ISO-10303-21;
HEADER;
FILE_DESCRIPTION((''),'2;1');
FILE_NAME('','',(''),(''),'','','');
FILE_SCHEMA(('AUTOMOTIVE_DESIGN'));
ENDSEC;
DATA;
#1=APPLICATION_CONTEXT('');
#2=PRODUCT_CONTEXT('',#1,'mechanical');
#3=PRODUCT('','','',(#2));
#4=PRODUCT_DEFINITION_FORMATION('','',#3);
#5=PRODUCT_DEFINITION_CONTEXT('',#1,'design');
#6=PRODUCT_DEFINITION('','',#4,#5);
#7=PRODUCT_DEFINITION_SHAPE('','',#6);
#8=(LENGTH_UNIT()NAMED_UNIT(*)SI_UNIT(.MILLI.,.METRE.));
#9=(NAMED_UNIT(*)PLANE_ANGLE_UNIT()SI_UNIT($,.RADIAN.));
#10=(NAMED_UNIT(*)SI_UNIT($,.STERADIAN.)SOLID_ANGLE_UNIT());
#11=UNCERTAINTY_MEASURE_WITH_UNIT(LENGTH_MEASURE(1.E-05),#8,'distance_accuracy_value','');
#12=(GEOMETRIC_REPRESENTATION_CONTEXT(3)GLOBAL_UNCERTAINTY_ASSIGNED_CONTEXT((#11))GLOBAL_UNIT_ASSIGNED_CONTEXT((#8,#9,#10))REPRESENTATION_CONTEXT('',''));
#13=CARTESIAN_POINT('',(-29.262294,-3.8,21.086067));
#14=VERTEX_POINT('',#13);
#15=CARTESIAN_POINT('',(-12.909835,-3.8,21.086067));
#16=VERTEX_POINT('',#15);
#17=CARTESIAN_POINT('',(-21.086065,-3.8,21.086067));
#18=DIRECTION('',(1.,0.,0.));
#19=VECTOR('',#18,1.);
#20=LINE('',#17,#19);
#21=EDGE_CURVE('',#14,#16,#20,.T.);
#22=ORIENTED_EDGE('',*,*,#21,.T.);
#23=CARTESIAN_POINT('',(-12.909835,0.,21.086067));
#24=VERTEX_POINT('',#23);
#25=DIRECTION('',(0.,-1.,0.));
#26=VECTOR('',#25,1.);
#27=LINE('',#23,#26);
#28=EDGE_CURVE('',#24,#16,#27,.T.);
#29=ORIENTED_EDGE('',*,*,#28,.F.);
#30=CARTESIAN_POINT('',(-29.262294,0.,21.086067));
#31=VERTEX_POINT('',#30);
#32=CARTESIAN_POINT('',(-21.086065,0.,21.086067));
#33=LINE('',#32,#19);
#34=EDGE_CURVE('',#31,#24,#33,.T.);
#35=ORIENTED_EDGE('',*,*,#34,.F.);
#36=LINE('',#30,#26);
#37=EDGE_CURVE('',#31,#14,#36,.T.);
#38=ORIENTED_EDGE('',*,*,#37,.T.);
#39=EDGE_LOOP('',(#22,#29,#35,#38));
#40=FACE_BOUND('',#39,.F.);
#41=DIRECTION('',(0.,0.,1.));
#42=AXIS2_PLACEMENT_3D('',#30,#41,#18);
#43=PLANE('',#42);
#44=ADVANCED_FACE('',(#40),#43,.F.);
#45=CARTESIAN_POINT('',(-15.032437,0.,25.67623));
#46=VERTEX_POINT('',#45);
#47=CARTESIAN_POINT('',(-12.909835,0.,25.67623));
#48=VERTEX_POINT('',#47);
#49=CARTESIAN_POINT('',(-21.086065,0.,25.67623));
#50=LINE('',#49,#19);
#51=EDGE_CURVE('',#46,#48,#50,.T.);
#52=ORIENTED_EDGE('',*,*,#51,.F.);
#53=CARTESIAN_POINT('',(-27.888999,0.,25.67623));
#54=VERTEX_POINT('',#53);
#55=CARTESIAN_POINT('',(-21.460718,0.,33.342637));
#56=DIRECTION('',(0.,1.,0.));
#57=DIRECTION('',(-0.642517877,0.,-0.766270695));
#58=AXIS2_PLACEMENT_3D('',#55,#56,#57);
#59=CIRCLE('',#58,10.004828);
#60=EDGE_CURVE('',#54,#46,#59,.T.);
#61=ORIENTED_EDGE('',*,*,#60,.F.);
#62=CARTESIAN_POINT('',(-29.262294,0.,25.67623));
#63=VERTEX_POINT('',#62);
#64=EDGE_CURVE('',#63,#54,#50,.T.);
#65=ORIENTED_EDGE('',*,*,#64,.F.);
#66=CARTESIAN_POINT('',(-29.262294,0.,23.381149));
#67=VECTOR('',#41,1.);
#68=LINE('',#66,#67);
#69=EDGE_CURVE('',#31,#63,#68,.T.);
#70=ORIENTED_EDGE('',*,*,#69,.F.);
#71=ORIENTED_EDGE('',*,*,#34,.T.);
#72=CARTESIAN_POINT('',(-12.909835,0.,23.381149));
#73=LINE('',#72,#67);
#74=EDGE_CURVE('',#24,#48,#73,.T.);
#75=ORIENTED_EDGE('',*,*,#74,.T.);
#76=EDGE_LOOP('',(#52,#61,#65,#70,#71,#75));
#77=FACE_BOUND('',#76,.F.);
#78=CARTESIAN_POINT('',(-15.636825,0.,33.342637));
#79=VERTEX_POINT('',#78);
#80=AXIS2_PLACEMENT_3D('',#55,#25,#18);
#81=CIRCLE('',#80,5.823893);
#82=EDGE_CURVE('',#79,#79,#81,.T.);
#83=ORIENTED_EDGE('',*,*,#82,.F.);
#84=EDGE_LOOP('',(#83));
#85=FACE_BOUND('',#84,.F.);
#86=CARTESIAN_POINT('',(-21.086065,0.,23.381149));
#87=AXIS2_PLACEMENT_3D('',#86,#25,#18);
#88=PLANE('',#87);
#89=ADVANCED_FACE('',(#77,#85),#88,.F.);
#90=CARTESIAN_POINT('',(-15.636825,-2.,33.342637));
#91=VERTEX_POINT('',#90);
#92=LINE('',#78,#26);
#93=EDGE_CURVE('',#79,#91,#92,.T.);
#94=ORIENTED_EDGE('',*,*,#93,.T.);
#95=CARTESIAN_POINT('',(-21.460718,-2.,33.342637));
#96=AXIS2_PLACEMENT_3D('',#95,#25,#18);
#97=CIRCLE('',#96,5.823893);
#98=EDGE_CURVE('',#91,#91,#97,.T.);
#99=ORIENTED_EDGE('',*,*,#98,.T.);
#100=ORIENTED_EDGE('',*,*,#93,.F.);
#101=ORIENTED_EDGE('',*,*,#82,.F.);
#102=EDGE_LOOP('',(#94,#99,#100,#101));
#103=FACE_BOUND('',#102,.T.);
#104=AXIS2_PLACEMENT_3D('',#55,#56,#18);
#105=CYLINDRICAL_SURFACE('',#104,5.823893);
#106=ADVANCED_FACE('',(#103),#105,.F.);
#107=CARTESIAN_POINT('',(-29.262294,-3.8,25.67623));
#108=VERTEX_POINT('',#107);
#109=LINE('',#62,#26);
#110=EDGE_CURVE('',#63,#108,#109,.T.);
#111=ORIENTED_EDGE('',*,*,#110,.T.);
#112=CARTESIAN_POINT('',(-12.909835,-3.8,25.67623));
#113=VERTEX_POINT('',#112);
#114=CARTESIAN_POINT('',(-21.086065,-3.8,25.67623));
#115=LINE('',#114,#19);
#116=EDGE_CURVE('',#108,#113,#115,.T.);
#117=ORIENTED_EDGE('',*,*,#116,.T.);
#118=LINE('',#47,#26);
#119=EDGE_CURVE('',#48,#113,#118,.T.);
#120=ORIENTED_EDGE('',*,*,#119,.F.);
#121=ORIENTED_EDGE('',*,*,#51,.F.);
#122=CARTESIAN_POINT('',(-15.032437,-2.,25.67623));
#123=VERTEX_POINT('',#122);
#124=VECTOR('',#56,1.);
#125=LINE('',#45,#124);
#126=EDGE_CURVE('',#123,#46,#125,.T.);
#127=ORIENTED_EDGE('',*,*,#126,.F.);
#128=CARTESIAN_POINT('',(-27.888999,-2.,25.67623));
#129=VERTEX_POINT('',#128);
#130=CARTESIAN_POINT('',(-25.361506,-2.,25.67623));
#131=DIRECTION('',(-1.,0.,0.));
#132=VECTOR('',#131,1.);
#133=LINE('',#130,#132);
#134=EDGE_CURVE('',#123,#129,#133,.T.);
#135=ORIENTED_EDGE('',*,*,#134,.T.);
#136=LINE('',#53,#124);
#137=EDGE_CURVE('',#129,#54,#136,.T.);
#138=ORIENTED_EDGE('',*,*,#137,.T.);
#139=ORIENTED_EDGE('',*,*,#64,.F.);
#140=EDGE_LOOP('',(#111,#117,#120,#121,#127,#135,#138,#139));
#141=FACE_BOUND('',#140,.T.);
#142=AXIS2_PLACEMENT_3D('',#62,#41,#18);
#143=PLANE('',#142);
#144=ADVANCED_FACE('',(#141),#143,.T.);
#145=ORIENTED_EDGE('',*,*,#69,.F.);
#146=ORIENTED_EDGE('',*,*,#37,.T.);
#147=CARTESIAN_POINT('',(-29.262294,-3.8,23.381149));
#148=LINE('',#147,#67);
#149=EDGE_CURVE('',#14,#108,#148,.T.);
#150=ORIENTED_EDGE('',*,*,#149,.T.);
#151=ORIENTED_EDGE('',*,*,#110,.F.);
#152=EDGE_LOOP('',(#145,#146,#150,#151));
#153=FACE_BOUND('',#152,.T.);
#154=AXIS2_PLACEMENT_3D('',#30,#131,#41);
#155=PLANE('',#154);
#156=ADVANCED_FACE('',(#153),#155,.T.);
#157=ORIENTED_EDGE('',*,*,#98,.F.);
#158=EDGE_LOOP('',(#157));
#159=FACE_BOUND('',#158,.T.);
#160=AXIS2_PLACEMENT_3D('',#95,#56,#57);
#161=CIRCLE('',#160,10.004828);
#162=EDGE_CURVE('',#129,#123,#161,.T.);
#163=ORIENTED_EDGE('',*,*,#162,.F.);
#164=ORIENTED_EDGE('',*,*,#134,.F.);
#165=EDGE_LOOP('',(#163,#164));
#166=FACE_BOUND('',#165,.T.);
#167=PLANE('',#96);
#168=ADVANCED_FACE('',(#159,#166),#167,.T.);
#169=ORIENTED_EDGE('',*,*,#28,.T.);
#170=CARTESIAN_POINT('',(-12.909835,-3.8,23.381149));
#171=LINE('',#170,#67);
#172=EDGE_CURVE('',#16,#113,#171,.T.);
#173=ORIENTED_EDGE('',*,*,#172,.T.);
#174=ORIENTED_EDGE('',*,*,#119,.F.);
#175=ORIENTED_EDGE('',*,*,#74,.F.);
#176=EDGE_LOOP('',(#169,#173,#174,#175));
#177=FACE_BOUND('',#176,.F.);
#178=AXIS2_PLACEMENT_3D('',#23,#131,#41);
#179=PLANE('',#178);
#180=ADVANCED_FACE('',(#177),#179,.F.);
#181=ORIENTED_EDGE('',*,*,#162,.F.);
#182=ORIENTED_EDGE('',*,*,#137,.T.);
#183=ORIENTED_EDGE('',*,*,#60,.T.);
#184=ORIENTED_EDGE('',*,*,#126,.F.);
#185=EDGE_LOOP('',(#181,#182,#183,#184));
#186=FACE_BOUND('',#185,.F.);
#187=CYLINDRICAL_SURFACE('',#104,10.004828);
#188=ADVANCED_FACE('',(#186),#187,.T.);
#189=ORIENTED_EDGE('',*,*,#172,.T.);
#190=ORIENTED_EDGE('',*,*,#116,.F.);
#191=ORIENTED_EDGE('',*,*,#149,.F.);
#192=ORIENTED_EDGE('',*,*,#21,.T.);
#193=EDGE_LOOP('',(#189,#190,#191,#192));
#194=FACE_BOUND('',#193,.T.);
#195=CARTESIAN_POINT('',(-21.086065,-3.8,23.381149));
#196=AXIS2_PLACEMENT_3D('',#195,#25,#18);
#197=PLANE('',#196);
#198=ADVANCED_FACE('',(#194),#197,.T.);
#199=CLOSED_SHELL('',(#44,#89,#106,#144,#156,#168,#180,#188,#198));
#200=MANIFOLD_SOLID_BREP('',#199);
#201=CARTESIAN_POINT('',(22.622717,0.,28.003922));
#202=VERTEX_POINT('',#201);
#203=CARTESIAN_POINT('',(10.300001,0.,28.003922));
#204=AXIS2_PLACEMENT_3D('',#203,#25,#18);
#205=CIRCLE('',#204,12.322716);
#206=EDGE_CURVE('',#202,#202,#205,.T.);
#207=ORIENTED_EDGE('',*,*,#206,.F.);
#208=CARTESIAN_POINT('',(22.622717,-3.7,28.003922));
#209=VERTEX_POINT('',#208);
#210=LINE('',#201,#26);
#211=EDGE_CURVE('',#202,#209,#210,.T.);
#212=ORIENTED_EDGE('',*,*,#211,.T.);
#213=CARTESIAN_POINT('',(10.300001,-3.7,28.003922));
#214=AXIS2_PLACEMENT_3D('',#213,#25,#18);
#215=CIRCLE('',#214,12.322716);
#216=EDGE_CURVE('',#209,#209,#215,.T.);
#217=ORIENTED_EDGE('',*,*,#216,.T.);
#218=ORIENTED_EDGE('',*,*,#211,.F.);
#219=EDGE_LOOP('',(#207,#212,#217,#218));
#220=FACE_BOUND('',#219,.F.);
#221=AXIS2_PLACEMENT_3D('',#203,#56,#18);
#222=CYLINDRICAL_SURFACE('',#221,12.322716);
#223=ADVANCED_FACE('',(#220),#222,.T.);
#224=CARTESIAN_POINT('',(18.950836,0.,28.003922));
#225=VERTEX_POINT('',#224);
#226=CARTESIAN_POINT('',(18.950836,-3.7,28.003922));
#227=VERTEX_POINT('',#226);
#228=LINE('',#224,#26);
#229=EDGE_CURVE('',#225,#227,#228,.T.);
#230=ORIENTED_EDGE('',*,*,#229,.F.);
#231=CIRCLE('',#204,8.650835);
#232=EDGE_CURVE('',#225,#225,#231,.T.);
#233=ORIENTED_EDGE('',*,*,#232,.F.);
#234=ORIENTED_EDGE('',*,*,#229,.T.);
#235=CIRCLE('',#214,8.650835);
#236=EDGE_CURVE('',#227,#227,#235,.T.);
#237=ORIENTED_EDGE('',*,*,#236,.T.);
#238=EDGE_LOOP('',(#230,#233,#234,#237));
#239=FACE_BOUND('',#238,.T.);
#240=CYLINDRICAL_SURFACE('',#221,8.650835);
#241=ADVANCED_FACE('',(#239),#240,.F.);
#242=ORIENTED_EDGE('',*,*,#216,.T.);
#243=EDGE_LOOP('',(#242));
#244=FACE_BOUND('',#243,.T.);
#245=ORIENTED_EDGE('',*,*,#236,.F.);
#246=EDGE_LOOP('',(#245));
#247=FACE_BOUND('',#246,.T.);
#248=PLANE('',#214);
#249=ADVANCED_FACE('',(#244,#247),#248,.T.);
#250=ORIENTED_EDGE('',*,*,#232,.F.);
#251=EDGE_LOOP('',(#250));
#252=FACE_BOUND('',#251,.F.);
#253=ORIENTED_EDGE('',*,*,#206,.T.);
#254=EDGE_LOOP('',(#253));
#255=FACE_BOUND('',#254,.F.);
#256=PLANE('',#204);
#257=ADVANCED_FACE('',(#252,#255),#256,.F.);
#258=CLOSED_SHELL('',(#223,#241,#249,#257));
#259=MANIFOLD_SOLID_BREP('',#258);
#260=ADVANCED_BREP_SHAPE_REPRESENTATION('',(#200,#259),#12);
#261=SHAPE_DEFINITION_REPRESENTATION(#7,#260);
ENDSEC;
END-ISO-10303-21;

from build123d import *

# Parameters (mm, degrees)
F0_R     = 10.004828
F0_R_2   = 5.823893
F1_DEPTH = 2
F2_W     = 16.352459
F2_H     = 4.590163
F3_DEPTH = 3.8
F4_R     = 12.322716
F4_R_2   = 8.650835
F5_DEPTH = 3.7


with BuildPart() as f1:
    # F0 (on Front) → F1 (new body)
    with BuildSketch(Plane.XZ):
        with Locations((-21.460718, 33.342637)):
            Circle(F0_R)
        with Locations((-21.460718, 33.342637)):
            Circle(F0_R_2, mode=Mode.SUBTRACT)
    extrude(amount=F1_DEPTH)

    # F2 (on Front) → F3 (join)
    with BuildSketch(Plane.XZ):
        with Locations((-21.086065, 23.381149)):
            Rectangle(F2_W, F2_H)
    extrude(amount=F3_DEPTH)


with BuildPart() as f5:
    # F4 (on Front) → F5 (new body)
    with BuildSketch(Plane.XZ):
        with Locations((10.300001, 28.003922)):
            Circle(F4_R)
        with Locations((10.300001, 28.003922)):
            Circle(F4_R_2, mode=Mode.SUBTRACT)
    extrude(amount=F5_DEPTH)


solid = Compound([f1.part, f5.part])
